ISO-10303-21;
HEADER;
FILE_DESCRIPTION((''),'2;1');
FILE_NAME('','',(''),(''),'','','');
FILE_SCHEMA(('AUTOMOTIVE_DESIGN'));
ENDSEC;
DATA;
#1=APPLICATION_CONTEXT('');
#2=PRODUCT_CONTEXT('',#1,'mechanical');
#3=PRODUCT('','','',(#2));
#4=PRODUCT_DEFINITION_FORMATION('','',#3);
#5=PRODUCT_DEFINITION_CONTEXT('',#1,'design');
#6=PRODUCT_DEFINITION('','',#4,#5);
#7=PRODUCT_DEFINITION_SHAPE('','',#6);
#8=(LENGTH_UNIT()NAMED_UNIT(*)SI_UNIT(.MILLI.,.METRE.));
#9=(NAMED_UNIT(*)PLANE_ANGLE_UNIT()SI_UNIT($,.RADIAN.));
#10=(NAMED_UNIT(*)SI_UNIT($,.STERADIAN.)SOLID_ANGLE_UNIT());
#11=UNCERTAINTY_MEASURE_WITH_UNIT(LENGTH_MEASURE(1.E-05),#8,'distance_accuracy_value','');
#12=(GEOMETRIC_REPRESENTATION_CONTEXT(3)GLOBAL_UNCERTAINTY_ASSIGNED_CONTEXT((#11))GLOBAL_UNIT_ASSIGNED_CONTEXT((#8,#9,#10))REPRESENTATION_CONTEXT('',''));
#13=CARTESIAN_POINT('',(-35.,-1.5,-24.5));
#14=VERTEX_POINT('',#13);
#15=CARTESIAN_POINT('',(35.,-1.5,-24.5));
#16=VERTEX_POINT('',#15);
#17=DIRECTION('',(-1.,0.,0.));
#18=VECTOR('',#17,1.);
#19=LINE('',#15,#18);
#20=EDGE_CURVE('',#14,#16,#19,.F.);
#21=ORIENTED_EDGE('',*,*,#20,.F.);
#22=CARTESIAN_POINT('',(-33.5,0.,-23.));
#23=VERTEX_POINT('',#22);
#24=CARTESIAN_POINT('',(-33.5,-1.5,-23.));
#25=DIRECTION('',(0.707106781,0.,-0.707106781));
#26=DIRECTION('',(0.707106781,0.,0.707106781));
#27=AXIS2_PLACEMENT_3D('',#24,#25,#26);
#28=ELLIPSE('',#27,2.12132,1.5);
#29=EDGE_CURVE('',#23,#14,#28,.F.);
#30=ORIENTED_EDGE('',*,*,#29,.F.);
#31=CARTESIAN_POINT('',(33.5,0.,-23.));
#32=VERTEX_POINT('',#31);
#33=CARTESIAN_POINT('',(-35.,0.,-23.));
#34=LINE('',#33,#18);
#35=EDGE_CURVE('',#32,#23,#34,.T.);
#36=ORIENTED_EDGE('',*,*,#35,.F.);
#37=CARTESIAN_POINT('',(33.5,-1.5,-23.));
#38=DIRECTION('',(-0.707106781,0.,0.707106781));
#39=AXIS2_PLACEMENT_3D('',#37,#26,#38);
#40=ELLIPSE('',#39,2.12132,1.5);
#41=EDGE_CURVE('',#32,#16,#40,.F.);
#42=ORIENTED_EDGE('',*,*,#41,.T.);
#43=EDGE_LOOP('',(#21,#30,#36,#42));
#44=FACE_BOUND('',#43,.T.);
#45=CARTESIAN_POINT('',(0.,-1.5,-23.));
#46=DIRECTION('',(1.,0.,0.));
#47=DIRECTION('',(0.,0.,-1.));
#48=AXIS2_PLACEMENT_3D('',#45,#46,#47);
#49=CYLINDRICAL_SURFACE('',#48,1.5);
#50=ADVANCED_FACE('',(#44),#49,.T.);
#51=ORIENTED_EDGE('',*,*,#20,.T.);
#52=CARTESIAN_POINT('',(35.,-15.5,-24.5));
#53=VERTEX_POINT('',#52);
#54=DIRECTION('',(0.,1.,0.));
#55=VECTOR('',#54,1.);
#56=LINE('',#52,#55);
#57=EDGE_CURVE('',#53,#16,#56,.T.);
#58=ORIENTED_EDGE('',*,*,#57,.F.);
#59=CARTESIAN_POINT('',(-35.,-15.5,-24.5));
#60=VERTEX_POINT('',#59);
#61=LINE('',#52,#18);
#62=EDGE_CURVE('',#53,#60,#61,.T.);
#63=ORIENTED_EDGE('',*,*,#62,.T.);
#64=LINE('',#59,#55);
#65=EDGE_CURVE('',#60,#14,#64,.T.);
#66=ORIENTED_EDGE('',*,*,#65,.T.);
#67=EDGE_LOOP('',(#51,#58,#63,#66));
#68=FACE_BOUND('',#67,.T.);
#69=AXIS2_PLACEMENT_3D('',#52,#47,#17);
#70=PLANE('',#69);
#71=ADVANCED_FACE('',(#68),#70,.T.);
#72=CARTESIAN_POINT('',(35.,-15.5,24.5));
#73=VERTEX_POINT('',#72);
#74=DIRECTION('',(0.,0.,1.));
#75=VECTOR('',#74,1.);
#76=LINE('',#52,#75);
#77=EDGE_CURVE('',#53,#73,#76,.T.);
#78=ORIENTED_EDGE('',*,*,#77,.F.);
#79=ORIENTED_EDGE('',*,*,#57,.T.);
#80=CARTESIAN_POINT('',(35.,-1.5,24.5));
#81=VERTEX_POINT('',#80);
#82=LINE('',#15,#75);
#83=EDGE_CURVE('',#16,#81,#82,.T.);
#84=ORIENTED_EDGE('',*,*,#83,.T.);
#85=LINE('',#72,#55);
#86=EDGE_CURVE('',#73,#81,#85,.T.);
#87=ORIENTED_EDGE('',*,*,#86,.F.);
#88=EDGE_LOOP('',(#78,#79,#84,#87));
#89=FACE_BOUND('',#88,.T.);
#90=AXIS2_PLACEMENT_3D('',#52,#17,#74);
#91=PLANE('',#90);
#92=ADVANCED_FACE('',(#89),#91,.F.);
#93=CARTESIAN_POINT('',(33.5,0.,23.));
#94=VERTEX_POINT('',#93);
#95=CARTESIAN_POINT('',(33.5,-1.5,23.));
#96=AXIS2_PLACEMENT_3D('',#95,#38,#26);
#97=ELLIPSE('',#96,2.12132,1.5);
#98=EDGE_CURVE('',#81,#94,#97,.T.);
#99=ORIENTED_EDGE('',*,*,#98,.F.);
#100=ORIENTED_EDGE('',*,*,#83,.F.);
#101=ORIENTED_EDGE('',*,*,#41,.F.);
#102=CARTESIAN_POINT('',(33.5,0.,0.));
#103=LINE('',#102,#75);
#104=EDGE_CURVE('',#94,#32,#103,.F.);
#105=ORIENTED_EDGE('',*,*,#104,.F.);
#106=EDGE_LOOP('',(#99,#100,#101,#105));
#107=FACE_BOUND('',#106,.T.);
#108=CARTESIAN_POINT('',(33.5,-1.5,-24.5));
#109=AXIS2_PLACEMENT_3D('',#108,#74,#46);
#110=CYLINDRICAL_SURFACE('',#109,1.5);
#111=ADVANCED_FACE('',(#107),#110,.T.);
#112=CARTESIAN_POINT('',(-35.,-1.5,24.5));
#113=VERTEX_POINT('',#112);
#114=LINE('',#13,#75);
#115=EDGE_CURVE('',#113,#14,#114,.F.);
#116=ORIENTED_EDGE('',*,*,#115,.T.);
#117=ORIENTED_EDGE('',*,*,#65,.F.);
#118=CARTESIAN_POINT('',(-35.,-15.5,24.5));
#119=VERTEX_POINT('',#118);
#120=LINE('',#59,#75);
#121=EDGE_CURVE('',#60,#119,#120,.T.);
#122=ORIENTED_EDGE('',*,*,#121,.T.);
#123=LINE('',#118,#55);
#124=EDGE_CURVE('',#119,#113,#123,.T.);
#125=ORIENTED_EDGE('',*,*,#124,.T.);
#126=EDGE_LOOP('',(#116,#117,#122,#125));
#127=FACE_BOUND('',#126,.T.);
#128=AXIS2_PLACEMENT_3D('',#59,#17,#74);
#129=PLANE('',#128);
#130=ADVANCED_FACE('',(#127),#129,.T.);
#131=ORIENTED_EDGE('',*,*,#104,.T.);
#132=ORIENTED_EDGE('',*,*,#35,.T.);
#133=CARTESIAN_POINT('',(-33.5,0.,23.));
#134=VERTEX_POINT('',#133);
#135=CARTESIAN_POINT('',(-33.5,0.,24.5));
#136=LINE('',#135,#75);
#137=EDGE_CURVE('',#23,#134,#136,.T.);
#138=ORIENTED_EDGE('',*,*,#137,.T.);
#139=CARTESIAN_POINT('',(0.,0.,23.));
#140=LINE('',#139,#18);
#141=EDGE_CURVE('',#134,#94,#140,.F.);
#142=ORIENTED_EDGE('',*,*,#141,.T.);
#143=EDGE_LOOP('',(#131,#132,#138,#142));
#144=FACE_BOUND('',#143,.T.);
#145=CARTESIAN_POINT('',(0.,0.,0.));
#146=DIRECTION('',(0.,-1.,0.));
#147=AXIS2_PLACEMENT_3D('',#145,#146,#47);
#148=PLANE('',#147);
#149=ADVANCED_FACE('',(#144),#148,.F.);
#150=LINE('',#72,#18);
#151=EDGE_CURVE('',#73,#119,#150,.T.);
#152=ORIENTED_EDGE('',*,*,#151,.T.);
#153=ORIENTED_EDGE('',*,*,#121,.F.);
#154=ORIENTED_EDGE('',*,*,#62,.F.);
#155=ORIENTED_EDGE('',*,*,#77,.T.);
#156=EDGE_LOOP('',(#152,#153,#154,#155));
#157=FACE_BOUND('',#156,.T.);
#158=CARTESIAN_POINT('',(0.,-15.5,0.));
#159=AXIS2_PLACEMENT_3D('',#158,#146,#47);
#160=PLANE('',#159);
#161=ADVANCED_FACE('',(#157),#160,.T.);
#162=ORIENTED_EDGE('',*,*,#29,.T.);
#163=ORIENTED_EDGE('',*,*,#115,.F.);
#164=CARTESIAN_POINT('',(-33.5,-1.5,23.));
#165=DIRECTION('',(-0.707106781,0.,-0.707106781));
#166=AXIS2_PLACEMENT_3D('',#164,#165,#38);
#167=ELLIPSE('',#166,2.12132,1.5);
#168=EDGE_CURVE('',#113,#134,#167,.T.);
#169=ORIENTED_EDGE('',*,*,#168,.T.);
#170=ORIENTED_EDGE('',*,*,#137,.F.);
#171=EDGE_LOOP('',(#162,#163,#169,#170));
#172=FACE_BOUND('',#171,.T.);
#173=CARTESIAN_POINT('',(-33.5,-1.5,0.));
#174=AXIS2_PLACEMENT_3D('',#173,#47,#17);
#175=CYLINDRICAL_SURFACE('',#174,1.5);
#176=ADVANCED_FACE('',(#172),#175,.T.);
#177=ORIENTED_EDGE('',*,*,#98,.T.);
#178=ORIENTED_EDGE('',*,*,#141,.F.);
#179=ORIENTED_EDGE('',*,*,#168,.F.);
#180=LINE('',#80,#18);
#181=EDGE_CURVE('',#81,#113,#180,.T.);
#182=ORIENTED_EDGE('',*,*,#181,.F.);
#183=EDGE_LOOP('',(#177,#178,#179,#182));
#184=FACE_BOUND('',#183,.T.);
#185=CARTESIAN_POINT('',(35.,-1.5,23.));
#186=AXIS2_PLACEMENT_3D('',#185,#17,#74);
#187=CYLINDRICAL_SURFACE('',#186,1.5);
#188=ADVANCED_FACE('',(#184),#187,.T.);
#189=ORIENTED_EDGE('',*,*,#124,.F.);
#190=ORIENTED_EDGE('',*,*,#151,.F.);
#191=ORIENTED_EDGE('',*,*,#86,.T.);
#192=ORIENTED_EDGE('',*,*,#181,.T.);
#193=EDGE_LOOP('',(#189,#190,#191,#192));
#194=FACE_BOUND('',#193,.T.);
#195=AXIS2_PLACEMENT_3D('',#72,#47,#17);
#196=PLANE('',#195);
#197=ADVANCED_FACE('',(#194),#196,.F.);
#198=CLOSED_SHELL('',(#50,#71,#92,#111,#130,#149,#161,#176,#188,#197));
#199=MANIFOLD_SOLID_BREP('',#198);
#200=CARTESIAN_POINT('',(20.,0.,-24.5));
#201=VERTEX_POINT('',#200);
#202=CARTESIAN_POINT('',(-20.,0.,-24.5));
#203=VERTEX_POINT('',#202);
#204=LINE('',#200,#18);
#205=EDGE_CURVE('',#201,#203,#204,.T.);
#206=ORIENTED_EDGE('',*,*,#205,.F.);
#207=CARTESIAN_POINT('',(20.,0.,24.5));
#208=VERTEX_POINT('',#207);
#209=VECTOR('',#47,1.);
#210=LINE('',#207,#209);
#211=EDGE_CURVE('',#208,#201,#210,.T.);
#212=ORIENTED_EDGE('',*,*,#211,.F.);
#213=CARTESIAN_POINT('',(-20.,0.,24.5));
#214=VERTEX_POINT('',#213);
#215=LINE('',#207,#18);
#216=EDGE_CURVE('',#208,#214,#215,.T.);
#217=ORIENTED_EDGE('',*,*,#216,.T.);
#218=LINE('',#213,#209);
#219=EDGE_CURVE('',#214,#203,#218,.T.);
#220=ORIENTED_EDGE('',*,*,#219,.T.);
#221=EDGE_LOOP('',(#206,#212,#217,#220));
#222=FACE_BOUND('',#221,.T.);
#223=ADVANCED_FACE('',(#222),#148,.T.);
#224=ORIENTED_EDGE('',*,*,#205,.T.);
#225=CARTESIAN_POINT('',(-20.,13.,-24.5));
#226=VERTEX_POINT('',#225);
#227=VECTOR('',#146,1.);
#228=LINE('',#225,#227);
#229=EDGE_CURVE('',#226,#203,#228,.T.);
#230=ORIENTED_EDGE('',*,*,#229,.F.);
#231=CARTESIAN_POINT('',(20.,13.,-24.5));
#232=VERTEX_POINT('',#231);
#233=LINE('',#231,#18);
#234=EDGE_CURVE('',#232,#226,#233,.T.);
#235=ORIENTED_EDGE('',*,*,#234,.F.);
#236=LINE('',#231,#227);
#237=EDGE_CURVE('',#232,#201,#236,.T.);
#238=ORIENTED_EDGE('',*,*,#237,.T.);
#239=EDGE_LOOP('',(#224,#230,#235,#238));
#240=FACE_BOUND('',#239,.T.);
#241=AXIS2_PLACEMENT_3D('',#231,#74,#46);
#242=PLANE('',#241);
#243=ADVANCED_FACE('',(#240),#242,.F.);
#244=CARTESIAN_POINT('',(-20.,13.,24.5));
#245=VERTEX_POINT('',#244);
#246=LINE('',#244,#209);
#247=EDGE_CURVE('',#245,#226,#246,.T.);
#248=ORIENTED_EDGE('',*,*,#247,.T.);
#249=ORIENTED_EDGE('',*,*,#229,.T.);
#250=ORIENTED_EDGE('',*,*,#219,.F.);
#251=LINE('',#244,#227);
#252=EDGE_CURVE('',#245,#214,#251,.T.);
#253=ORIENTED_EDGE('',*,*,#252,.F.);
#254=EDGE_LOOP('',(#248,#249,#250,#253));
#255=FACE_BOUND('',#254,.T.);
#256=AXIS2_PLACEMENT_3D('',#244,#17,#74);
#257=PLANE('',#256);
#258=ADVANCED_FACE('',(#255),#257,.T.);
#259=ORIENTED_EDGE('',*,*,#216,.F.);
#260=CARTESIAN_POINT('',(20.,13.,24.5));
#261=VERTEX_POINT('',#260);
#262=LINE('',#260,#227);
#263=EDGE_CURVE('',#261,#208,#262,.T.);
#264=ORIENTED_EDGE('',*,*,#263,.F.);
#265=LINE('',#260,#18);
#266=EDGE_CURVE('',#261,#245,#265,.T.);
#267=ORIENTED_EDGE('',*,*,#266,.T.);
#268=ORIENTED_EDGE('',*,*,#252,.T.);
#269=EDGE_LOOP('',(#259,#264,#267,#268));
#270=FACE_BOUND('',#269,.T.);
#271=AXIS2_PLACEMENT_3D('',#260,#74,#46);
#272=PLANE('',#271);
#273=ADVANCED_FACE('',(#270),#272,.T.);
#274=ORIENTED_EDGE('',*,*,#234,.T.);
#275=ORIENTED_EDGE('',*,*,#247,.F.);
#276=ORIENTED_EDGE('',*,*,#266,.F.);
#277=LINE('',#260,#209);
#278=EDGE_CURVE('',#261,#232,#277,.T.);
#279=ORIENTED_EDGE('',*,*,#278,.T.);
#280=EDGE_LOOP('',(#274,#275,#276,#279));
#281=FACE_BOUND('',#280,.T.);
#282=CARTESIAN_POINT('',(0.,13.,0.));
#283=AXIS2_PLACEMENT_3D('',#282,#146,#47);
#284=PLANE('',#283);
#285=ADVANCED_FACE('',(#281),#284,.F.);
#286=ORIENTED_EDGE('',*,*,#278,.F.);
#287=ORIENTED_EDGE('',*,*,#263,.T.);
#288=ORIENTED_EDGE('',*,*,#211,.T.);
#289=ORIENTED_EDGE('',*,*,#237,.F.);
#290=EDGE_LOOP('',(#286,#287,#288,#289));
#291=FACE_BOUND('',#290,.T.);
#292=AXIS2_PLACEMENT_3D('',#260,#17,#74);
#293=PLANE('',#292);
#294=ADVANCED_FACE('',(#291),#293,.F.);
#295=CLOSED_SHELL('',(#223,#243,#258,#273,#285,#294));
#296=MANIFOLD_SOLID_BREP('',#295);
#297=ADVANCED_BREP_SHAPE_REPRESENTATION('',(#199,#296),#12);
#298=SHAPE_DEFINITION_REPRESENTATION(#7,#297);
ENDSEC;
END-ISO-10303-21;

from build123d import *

# Parameters (mm, degrees)
SKETCH2_W           = 40
SKETCH2_H           = 49
BOSS_EXTRUDE1_DEPTH = 13
SKETCH2_3_W         = 70
SKETCH2_3_H         = 49
BOSS_EXTRUDE2_DEPTH = 15.5
FILLET2_R           = 1.5


with BuildPart() as part:
    # Sketch2 → Boss-Extrude1 (new body)
    with BuildSketch(Plane(origin=(0, 0, 0), x_dir=(1, 0, 0), z_dir=(0, 1, 0))):
        Rectangle(SKETCH2_W, SKETCH2_H)
    extrude(amount=BOSS_EXTRUDE1_DEPTH)


with BuildPart() as body_2:
    # Sketch2<3> → Boss-Extrude2 (new body)
    with BuildSketch(Plane(origin=(0, 0, 0), x_dir=(1, 0, 0), z_dir=(0, 1, 0))):
        Rectangle(SKETCH2_3_W, SKETCH2_3_H)
    extrude(amount=-BOSS_EXTRUDE2_DEPTH)

    # Fillet2
    fillet2_edges = [body_2.edges().sort_by_distance(p)[0] for p in [
        (0, 0, -24.5),
        (-35, 0, 0),
        (0, 0, 24.5),
        (35, 0, 0),
    ]]
    fillet(fillet2_edges, radius=FILLET2_R)


solid = Compound([part.part, body_2.part])
